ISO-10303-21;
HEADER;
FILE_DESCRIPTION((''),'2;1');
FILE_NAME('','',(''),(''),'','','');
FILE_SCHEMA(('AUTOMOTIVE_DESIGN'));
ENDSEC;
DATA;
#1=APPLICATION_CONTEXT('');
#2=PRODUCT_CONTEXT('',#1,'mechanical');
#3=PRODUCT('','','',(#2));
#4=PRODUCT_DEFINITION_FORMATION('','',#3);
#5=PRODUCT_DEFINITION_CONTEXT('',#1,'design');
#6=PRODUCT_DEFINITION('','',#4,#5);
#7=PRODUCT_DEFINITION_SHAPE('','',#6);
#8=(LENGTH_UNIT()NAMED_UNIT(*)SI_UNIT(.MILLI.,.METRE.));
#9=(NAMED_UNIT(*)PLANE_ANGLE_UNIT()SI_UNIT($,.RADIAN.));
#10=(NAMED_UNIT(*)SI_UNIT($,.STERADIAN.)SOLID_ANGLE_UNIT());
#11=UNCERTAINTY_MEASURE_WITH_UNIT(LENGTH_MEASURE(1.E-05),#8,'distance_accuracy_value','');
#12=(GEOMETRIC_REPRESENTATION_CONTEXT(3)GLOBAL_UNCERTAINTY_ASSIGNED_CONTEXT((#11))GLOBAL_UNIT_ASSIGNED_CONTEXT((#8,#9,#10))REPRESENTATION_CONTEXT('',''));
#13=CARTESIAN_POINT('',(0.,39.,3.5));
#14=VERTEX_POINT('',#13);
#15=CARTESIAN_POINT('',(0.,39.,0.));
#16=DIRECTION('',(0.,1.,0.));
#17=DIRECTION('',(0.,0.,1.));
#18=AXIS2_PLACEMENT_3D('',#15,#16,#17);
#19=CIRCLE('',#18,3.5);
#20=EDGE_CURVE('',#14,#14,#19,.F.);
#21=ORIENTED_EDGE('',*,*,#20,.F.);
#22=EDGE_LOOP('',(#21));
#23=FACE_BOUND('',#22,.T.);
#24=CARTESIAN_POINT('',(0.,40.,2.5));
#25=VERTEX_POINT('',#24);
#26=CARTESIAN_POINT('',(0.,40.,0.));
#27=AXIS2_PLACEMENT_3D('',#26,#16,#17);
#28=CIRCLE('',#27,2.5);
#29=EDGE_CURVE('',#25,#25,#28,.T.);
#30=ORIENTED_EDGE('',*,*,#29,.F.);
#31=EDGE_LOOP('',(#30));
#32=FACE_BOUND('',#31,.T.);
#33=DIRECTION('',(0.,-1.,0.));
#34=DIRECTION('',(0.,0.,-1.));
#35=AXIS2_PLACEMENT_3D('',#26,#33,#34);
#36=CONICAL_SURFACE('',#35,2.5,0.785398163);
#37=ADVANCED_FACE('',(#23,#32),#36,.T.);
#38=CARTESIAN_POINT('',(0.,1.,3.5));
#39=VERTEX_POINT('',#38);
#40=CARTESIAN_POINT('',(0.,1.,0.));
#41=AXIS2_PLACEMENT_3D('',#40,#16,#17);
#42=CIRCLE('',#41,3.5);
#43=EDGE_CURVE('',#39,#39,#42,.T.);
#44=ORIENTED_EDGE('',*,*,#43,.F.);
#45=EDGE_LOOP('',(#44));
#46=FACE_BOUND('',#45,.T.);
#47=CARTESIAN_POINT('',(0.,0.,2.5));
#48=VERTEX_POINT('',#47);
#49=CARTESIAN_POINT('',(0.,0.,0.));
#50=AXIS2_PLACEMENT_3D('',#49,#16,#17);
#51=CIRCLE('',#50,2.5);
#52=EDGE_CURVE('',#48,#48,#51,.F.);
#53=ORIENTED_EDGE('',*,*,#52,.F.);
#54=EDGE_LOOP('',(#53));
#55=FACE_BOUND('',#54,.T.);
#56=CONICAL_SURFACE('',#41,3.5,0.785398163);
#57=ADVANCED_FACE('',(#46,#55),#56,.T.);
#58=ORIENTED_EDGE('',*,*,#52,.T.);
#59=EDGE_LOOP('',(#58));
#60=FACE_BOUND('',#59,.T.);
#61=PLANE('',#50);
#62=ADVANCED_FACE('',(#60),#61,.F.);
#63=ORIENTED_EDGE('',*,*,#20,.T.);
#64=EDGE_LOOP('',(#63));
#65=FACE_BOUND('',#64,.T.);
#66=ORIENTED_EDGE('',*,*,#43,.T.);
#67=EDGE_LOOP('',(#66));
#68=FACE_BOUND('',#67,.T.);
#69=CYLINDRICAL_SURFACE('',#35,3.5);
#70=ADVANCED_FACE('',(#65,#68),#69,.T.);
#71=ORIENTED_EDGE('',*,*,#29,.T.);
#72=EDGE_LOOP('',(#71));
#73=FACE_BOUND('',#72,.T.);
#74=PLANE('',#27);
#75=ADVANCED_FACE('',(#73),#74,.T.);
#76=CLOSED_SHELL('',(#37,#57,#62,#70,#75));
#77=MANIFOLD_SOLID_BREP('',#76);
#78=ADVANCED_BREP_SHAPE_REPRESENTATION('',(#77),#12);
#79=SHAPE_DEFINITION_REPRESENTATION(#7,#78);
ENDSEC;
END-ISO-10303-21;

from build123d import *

# Parameters (mm, degrees)
SKETCH1_R           = 3.5
BOSS_EXTRUDE1_DEPTH = 40
CHAMFER1_SIZE       = 1


with BuildPart() as part:
    # Sketch1 → Boss-Extrude1 (new body)
    with BuildSketch(Plane(origin=(0, 0, 0), x_dir=(1, 0, 0), z_dir=(0, 1, 0))):
        Circle(SKETCH1_R)
    extrude(amount=BOSS_EXTRUDE1_DEPTH)

    # Chamfer1
    chamfer1_edges = [part.edges().sort_by_distance(p)[0] for p in [
        (-3.5, 0, 0),
        (-3.5, 40, 0),
    ]]
    chamfer(chamfer1_edges, length=CHAMFER1_SIZE)


solid = part.part
